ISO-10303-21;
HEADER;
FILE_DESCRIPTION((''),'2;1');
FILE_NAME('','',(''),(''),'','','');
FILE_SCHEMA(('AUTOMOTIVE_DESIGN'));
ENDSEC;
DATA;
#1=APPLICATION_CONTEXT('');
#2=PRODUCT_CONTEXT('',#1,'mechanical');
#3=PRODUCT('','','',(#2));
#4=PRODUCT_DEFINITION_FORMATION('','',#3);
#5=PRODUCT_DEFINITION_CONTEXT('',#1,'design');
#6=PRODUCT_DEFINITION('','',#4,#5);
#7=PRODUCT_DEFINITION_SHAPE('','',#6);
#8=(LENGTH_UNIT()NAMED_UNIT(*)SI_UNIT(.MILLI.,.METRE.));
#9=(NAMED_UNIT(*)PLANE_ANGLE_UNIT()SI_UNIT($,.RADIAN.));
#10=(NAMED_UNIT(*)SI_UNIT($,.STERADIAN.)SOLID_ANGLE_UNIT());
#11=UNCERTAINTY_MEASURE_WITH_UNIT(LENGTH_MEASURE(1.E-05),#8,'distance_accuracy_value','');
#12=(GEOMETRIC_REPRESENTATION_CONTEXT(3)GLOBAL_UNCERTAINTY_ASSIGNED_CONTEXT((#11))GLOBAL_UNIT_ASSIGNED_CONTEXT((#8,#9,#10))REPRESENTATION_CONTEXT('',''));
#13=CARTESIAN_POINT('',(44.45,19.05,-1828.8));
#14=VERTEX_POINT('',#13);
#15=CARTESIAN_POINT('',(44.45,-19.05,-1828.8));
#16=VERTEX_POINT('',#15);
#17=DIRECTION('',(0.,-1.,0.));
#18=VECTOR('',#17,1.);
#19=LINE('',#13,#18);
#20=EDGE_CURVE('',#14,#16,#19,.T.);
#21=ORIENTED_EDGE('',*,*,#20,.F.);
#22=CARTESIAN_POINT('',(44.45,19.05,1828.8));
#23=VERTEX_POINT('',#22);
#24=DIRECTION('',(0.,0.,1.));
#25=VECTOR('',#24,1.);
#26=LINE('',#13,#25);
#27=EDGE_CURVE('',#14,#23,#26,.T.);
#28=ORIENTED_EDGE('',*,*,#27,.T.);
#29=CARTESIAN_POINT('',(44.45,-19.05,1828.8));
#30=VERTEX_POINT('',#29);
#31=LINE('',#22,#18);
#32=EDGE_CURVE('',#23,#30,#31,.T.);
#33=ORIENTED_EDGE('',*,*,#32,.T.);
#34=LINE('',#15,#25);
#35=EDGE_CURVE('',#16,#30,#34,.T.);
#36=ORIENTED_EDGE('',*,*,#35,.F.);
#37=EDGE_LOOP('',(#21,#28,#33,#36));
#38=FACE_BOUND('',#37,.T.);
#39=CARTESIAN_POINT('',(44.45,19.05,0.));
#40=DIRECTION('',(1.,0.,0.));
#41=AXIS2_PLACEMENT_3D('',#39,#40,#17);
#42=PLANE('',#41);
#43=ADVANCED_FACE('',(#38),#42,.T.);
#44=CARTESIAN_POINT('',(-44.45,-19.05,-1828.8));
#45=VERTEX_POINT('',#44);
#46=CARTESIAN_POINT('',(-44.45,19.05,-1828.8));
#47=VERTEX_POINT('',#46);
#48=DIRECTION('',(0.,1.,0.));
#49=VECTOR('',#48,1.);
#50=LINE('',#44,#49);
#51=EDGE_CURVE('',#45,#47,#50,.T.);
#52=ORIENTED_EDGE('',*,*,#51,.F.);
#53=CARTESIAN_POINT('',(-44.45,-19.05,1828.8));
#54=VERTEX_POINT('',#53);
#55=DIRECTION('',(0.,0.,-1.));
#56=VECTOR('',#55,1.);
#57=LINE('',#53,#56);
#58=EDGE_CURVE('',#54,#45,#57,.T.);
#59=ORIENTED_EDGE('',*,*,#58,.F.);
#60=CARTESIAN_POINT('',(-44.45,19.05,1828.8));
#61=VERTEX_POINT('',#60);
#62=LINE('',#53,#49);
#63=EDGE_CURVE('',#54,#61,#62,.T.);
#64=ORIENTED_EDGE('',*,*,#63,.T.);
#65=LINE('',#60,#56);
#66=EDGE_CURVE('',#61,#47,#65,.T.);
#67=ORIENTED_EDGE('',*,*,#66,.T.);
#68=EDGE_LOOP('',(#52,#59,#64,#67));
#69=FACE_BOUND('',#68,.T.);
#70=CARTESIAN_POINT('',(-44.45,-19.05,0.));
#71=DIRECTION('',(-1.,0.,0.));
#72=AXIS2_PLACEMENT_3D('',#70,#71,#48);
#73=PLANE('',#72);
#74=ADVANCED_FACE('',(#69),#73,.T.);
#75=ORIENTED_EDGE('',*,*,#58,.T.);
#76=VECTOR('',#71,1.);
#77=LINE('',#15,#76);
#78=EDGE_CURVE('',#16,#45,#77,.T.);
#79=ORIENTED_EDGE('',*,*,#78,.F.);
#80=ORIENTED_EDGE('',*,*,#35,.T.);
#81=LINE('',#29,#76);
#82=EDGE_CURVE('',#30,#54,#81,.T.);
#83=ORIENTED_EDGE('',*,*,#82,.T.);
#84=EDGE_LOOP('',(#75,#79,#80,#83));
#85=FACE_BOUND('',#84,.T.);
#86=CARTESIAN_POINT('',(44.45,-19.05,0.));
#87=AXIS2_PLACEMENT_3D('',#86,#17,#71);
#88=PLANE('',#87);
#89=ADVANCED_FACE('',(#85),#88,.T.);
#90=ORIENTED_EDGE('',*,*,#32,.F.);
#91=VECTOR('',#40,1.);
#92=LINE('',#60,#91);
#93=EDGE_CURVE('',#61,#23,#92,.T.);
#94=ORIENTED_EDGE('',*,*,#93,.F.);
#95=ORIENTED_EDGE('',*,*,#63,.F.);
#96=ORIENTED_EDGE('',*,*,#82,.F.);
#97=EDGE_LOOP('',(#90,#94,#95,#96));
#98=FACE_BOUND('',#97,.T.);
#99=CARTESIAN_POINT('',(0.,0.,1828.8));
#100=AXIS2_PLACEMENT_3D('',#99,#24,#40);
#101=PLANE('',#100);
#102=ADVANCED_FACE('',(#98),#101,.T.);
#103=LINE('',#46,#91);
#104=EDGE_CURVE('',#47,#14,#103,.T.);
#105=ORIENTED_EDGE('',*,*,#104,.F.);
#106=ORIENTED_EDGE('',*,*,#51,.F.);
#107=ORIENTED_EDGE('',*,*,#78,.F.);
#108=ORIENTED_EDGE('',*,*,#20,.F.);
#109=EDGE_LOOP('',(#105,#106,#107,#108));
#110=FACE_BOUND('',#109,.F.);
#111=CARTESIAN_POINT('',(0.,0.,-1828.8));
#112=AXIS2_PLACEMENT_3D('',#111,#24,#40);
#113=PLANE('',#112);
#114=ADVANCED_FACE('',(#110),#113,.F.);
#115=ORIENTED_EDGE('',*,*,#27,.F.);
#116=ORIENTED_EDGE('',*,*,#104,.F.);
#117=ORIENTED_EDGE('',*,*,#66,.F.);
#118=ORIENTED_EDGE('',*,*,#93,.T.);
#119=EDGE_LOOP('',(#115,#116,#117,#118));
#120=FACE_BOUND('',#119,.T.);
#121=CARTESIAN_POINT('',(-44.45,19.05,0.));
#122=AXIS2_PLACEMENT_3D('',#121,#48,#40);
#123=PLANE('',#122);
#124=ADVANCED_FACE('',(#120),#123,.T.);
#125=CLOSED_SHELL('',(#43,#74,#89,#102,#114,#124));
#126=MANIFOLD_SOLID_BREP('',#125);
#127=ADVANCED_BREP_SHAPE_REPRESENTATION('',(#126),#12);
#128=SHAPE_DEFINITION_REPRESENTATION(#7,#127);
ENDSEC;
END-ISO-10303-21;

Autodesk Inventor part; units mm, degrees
ref_plane "YZ Plane" through (0, 0, 0) normal (1, 0, 0) x (0, 1, 0)
ref_plane "XZ Plane" through (0, 0, 0) normal (0, 1, 0) x (-1, 0, 0)
ref_plane "XY Plane" through (0, 0, 0) normal (0, 0, 1) x (1, 0, 0)
sketch "Sketch1" plane through (0, 0, 0) normal (0, 0, 1) x (1, 0, 0)
  line L0 (44.45, -19.05) -> (-44.45, -19.05)
  line L1 (-44.45, -19.05) -> (-44.45, 19.05)
  line L2 (-44.45, 19.05) -> (44.45, 19.05)
  line L3 (44.45, 19.05) -> (44.45, -19.05)
  line L4 (44.45, -19.05) -> (-44.45, 19.05) construction
  line L5 (-44.45, -19.05) -> (44.45, 19.05) construction
  point P0 (0, 0)
  dimension "d0" = 88.9
  dimension "d1" = 38.1
extrude "Extrusion1" add sketch "Sketch1" along normal mid plane 3657.6
properties part number "12'x2x4"
